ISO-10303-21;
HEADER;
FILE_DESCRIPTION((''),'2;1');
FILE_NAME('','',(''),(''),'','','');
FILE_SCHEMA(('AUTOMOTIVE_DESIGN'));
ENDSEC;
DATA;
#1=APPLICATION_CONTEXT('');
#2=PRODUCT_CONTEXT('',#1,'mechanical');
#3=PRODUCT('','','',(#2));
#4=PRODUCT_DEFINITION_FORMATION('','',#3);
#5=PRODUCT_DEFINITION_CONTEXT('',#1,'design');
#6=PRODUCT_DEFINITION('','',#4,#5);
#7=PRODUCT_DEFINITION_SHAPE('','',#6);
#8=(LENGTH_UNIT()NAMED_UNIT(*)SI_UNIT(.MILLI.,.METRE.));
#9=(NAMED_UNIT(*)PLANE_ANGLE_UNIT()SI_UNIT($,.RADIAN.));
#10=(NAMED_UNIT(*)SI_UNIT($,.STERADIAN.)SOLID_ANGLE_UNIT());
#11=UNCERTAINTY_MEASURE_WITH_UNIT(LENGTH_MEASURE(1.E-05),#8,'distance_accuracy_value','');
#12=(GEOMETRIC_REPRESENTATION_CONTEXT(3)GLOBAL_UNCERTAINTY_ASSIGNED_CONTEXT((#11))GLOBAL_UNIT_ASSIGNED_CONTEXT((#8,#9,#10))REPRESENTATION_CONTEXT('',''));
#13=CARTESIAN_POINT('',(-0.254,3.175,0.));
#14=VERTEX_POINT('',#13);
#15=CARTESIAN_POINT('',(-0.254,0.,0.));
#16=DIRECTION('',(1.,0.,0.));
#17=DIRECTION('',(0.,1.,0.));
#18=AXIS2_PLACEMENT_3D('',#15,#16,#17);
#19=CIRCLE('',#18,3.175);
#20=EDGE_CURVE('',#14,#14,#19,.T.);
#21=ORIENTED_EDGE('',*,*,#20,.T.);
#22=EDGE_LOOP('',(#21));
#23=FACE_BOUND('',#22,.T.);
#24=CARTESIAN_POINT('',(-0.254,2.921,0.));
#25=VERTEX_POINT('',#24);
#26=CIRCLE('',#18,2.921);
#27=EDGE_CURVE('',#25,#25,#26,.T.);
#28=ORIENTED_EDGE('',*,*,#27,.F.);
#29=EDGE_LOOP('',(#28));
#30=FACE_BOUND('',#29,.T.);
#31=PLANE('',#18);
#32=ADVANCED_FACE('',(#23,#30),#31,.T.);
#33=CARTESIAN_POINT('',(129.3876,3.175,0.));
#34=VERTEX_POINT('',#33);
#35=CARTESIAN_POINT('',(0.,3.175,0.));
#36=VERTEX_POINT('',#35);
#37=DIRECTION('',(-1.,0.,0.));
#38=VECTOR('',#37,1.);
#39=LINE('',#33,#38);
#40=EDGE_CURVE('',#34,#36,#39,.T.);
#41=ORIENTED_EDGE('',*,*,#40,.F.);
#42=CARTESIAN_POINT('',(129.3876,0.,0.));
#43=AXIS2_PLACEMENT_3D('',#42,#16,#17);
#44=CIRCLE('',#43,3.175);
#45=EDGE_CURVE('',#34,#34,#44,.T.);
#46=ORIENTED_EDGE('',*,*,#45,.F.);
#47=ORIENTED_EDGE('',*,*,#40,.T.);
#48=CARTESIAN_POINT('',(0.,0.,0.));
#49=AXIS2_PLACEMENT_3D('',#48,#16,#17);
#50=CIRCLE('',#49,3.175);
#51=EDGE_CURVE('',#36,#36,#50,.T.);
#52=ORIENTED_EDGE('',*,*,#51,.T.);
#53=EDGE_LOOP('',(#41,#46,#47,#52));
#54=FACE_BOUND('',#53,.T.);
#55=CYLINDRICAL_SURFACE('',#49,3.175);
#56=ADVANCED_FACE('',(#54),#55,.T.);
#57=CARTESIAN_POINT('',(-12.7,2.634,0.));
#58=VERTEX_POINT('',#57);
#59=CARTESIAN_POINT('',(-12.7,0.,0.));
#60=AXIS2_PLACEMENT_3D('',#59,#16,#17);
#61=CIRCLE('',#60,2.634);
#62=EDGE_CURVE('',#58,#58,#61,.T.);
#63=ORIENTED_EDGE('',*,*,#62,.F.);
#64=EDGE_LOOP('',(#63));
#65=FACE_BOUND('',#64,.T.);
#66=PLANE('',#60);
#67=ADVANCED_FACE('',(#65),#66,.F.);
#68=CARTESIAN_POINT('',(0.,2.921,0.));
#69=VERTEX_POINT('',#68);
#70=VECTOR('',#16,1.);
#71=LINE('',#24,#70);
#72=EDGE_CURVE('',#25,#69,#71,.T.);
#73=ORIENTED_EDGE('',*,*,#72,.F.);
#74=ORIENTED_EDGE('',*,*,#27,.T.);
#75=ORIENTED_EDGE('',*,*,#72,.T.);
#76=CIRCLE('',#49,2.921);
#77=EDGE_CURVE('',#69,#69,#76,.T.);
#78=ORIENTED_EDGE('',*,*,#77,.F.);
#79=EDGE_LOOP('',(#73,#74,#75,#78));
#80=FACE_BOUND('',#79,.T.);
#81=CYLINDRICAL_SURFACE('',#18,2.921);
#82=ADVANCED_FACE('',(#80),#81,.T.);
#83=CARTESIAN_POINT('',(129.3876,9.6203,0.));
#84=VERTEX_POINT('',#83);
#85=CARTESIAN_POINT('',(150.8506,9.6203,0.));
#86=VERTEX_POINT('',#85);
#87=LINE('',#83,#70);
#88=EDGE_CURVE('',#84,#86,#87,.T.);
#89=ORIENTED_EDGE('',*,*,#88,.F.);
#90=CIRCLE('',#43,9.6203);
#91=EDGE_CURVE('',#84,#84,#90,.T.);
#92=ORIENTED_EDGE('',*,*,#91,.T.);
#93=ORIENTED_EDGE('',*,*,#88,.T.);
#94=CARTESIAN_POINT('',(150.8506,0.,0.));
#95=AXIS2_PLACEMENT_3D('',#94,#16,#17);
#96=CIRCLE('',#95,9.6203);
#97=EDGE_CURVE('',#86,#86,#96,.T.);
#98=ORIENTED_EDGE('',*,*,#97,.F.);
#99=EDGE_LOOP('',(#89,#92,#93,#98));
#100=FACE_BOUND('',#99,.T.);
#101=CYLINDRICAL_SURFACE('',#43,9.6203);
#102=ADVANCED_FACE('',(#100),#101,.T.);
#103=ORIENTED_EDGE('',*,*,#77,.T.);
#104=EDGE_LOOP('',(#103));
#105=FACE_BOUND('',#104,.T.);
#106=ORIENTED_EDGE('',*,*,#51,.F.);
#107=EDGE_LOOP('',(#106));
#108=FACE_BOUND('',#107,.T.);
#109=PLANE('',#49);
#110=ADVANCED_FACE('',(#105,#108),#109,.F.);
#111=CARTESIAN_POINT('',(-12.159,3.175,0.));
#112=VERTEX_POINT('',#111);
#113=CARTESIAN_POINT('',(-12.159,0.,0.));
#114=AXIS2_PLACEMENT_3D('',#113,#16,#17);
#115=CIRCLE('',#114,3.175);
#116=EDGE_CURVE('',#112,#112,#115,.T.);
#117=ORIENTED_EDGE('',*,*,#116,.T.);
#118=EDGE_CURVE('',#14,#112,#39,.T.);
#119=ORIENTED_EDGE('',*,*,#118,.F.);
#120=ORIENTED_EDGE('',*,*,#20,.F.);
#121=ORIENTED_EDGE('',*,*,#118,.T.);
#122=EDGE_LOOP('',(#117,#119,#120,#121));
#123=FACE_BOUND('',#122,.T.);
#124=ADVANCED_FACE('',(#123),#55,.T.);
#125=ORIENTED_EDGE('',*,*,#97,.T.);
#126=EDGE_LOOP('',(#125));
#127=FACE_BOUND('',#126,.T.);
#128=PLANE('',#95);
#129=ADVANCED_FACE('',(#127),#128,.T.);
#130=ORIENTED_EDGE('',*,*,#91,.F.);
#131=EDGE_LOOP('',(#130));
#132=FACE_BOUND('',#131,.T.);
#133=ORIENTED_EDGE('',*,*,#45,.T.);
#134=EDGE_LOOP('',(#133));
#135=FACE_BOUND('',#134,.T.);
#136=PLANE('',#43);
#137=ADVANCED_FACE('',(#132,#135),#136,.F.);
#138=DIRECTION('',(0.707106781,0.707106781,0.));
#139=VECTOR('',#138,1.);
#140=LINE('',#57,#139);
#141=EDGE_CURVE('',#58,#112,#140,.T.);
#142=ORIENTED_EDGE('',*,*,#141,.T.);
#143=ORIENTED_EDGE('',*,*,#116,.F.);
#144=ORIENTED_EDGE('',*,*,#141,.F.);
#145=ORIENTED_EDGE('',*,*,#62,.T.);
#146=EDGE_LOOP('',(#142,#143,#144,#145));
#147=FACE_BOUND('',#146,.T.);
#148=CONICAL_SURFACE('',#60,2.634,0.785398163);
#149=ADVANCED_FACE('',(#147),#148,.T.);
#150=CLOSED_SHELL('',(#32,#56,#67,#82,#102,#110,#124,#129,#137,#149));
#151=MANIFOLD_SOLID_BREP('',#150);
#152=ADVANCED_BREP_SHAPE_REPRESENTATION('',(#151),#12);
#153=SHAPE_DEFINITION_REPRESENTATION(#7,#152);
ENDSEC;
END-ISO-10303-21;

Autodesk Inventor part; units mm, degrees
sketch "Sketch_1" plane through (0, 0, 0) normal (0, 0, 1) x (1, 0, 0)
  line L0 (150.8506, 0) -> (0, 0)
  line L1 (0, 0) -> (0, 3.175)
  line L2 (0, 3.175) -> (129.3876, 3.175)
  line L3 (129.3876, 3.175) -> (129.3876, 9.6203)
  line L4 (129.3876, 9.6203) -> (150.8506, 9.6203)
  line L5 (150.8506, 9.6203) -> (150.8506, 0)
  line L6 (150.8506, 0) -> (0, 0)
revolve "Revolution1" add sketch "Sketch_1" angle 360 about axis through (150.8506, 0, 0) along (1, 0, 0)
sketch "Sketch_3" plane through (0, 0, 0) normal (0, 0, 1) x (1, 0, 0)
  line L0 (0, 0) -> (-12.7, 0)
  line L1 (-12.7, 0) -> (-12.7, 2.634)
  line L2 (-12.7, 2.634) -> (-12.159, 3.175)
  line L3 (-12.159, 3.175) -> (0, 3.175)
  line L4 (0, 3.175) -> (0, 0)
  line L5 (0, 0) -> (-12.7, 0)
revolve "Revolution2" add sketch "Sketch_3" angle 360 about axis through (0, 0, 0) along (1, 0, 0)
thread "Thread1" size "1/4-28 UNF" class "3A" standard "ANSI Unified Screw Threads" length 12.7 offset 129.3876
sketch "Sketch_30" plane through (0, 0, 0) normal (0, 0, 1) x (1, 0, 0)
  line L0 (0, 0) -> (-0.254, 0)
  line L1 (-0.254, 3.429) -> (-0.254, 2.921)
  line L2 (-0.254, 2.921) -> (0, 2.921)
  line L3 (0, 2.921) -> (0, 3.429)
  line L4 (0, 3.429) -> (-0.254, 3.429)
revolve "Revolution3" cut sketch "Sketch_30" angle 360 about axis through (0, 0, 0) along (1, 0, 0)
ref_plane "rod_cp_XY" through (0, 0, 0) normal (1, 0, 0) x (0, 0, -1)
ref_plane "rod_cp_YZ" through (0, 0, 0) normal (0, 0, -1) x (0, 1, 0)
ref_plane "rod_cp_ZX" through (0, 0, 0) normal (0, 1, 0) x (1, 0, 0)
ref_plane "to_rod_clevis_XY" through (-12.7, 0, 0) normal (1, 0, 0) x (0, 0, -1)
ref_plane "to_rod_clevis_YZ" through (-12.7, 0, 0) normal (0, 0, -1) x (0, 1, 0)
ref_plane "to_rod_clevis_ZX" through (-12.7, 0, 0) normal (0, 1, 0) x (1, 0, 0)
ref_plane "rl2_XY" through (0, 0, 0) normal (1, 0, 0) x (0, 0, -1)
ref_plane "rl2_YZ" through (0, 0, 0) normal (0, 0, -1) x (0, 1, 0)
ref_plane "rl2_ZX" through (0, 0, 0) normal (0, 1, 0) x (1, 0, 0)
ref_plane "rl1_XY" through (-12.7, 0, 0) normal (1, 0, 0) x (0, 0, -1)
ref_plane "rl1_YZ" through (-12.7, 0, 0) normal (0, 0, -1) x (0, 1, 0)
ref_plane "rl1_ZX" through (-12.7, 0, 0) normal (0, 1, 0) x (1, 0, 0)
ref_plane "thd1_XY" through (-12.7, 3.175, 0) normal (1, 0, 0) x (0, 0, -1)
ref_plane "thd1_YZ" through (-12.7, 3.175, 0) normal (0, 0, -1) x (0, 1, 0)
ref_plane "thd1_ZX" through (-12.7, 3.175, 0) normal (0, 1, 0) x (1, 0, 0)
ref_plane "thd2_XY" through (-12.7, -3.175, 0) normal (1, 0, 0) x (0, 0, -1)
ref_plane "thd2_YZ" through (-12.7, -3.175, 0) normal (0, 0, -1) x (0, 1, 0)
ref_plane "thd2_ZX" through (-12.7, -3.175, 0) normal (0, 1, 0) x (1, 0, 0)
ref_plane "dia1_XY" through (0, 3.175, 0) normal (1, 0, 0) x (0, 0, -1)
ref_plane "dia1_YZ" through (0, 3.175, 0) normal (0, 0, -1) x (0, 1, 0)
ref_plane "dia1_ZX" through (0, 3.175, 0) normal (0, 1, 0) x (1, 0, 0)
ref_plane "dia2_XY" through (0, -3.175, 0) normal (1, 0, 0) x (0, 0, -1)
ref_plane "dia2_YZ" through (0, -3.175, 0) normal (0, 0, -1) x (0, 1, 0)
ref_plane "dia2_ZX" through (0, -3.175, 0) normal (0, 1, 0) x (1, 0, 0)
ref_plane "dia1r_XY" through (0, 0, 10.2235) normal (1, 0, 0) x (0, 0, -1)
ref_plane "dia1r_YZ" through (0, 0, 10.2235) normal (0, 0, -1) x (0, 1, 0)
ref_plane "dia1r_ZX" through (0, 0, 10.2235) normal (0, 1, 0) x (1, 0, 0)
ref_plane "dia2r_XY" through (0, 0, -10.2235) normal (1, 0, 0) x (0, 0, -1)
ref_plane "dia2r_YZ" through (0, 0, -10.2235) normal (0, 0, -1) x (0, 1, 0)
ref_plane "dia2r_ZX" through (0, 0, -10.2235) normal (0, 1, 0) x (1, 0, 0)
ref_plane "dia12_XY" through (0, 0, 10.9537) normal (1, 0, 0) x (0, 0, -1)
ref_plane "dia12_YZ" through (0, 0, 10.9537) normal (0, 0, -1) x (0, 1, 0)
ref_plane "dia12_ZX" through (0, 0, 10.9537) normal (0, 1, 0) x (1, 0, 0)
ref_plane "dia22_XY" through (0, 0, -10.9537) normal (1, 0, 0) x (0, 0, -1)
ref_plane "dia22_YZ" through (0, 0, -10.9537) normal (0, 0, -1) x (0, 1, 0)
ref_plane "dia22_ZX" through (0, 0, -10.9537) normal (0, 1, 0) x (1, 0, 0)
properties part number "043.5-DQ0_rod"
